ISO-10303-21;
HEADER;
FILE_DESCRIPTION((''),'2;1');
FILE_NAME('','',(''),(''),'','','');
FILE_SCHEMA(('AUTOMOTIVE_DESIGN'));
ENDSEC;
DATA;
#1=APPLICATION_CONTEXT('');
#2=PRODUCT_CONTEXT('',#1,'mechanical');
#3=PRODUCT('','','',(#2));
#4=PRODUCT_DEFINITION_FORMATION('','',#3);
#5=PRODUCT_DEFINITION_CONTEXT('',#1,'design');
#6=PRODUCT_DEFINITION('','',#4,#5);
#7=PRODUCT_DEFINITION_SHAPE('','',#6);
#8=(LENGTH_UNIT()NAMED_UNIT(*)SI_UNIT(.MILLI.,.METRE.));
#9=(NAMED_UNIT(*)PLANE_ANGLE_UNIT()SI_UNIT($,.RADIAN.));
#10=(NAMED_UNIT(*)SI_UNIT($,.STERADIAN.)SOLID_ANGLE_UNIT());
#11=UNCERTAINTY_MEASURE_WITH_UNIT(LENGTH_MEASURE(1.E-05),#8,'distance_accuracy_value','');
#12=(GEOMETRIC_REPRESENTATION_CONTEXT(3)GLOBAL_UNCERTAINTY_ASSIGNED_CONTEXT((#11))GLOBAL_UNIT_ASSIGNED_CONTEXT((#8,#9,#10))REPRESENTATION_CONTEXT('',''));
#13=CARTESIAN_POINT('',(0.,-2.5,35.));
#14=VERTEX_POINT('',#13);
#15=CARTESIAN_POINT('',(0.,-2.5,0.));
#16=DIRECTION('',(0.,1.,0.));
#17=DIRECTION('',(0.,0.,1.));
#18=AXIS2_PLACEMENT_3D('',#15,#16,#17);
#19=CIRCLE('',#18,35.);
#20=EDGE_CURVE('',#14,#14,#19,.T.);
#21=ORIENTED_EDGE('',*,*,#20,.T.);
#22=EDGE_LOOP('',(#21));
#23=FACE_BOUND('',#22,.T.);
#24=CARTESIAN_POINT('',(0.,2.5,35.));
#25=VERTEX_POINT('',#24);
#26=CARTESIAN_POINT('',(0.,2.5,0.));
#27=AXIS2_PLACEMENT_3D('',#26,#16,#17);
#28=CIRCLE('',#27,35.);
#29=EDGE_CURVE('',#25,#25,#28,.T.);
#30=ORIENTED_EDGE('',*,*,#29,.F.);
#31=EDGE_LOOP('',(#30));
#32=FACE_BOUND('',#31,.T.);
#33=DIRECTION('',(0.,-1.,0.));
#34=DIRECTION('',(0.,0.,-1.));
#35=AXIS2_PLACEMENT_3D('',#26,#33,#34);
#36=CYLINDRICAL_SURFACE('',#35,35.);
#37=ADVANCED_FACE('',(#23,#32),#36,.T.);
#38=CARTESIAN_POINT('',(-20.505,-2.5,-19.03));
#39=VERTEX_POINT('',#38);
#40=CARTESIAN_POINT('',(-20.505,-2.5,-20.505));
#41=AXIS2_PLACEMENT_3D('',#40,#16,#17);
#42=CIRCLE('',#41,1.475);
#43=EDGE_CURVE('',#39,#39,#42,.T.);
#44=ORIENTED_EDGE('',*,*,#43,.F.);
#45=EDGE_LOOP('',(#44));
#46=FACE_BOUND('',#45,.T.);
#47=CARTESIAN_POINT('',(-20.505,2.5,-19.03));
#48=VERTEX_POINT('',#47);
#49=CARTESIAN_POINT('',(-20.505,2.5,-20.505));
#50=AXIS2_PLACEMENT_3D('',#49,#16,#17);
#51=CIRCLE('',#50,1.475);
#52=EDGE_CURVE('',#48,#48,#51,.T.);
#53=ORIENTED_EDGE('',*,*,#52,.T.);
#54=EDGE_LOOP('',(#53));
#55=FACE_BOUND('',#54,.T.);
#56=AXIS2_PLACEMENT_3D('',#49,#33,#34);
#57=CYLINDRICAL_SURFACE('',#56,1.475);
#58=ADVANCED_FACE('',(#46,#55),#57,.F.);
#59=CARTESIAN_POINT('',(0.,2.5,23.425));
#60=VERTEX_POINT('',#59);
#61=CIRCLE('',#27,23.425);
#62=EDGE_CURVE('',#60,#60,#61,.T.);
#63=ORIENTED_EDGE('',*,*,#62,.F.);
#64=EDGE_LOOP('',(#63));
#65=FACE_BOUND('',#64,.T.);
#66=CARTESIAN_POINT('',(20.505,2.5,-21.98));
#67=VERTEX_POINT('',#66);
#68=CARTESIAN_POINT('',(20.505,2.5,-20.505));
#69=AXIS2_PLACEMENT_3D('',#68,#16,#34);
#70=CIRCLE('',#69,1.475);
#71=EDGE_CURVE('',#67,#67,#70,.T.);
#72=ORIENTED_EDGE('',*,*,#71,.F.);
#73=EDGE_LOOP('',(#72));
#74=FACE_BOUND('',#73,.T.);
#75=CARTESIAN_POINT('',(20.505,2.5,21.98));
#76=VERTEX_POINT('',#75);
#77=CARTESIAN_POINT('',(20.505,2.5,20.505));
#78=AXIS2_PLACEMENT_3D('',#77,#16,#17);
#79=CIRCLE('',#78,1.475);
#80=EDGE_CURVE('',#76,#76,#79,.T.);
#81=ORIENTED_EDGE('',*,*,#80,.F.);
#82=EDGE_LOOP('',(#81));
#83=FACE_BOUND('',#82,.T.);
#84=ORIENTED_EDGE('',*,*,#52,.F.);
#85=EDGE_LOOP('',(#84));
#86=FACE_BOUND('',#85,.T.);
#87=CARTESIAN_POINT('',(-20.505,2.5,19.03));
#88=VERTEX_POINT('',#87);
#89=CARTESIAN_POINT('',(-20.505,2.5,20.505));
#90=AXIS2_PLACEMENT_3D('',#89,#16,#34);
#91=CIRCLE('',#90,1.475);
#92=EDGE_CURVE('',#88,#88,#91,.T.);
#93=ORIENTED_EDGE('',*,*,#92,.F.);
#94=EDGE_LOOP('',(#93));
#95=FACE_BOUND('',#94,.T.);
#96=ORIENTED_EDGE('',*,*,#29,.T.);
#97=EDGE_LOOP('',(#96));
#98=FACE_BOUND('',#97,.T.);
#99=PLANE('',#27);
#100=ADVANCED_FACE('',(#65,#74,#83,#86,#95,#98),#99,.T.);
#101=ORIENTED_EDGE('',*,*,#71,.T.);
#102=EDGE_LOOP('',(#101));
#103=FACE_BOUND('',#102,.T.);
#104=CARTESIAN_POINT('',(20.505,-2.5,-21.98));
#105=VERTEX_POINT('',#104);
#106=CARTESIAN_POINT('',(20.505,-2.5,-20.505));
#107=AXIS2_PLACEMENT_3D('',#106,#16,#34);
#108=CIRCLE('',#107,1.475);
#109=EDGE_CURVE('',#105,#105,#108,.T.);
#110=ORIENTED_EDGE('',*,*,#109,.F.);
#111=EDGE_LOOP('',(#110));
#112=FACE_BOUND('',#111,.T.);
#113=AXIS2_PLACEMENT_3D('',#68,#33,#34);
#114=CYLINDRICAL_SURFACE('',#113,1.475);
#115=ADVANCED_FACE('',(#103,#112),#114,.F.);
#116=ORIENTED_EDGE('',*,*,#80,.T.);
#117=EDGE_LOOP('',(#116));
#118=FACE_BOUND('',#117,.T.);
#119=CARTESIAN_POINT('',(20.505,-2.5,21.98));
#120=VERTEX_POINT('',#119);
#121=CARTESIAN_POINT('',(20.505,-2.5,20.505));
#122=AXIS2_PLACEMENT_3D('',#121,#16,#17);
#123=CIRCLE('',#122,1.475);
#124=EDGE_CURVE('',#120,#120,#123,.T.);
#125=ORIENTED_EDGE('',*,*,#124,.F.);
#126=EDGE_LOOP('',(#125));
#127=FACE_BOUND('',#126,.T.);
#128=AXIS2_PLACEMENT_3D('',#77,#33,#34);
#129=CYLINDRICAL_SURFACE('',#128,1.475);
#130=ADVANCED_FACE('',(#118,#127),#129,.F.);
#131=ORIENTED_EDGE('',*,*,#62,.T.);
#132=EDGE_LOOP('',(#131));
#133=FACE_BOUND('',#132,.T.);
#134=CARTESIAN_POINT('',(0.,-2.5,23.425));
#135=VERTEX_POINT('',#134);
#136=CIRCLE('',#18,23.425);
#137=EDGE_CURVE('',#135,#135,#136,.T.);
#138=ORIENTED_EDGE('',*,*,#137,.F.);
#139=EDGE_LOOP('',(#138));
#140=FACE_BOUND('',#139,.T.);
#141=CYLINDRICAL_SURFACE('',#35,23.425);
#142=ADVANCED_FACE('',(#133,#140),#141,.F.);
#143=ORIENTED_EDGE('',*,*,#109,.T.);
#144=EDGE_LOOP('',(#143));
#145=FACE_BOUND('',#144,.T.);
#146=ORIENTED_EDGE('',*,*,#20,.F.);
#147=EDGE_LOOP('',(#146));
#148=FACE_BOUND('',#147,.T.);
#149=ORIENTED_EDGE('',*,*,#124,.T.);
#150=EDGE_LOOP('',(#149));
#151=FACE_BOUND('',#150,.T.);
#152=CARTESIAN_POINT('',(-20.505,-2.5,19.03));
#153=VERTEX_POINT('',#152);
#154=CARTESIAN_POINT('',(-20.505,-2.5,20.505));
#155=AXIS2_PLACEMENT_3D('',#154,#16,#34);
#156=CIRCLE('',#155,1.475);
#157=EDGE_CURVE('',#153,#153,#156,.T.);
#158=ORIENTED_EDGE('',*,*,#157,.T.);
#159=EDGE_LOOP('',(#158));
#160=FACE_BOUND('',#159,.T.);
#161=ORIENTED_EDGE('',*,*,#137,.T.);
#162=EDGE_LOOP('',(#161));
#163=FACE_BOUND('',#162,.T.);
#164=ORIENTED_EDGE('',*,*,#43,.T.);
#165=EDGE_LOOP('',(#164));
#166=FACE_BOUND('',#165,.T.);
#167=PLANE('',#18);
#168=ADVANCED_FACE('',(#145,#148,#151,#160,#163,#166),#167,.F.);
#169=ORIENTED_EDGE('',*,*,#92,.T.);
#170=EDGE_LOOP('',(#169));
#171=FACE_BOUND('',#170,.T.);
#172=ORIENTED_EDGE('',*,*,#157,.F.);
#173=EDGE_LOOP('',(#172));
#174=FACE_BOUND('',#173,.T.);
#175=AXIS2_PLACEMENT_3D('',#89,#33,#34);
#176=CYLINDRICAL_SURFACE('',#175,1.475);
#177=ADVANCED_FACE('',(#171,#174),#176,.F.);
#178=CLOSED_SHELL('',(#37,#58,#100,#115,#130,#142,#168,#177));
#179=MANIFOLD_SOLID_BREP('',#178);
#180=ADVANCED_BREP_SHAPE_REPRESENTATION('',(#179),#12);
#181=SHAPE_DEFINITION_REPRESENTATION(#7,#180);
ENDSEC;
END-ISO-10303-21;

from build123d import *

# Parameters (mm, degrees)
SKETCH1_R           = 35
SKETCH1_R_2         = 23.425
SKETCH1_R_3         = 1.475
BOSS_EXTRUDE1_DEPTH = 2.5


with BuildPart() as part:
    # Sketch1 → Boss-Extrude1 (new, symmetric)
    with BuildSketch(Plane(origin=(0, 0, 0), x_dir=(1, 0, 0), z_dir=(0, 1, 0))):
        with Locations(Location((0, 0, 0), (0, 0, 270))):
            Circle(SKETCH1_R)
        with Locations(Location((0, 0, 0), (0, 0, 270))):
            Circle(SKETCH1_R_2, mode=Mode.SUBTRACT)
        with Locations(Location((-20.505, 20.505, 0), (0, 0, 270))):
            Circle(SKETCH1_R_3, mode=Mode.SUBTRACT)
        with Locations(Location((20.505, 20.505, 0), (0, 0, 90))):
            Circle(SKETCH1_R_3, mode=Mode.SUBTRACT)
        with Locations(Location((20.505, -20.505, 0), (0, 0, 270))):
            Circle(SKETCH1_R_3, mode=Mode.SUBTRACT)
        with Locations(Location((-20.505, -20.505, 0), (0, 0, 90))):
            Circle(SKETCH1_R_3, mode=Mode.SUBTRACT)
    extrude(amount=BOSS_EXTRUDE1_DEPTH, both=True)


solid = part.part
